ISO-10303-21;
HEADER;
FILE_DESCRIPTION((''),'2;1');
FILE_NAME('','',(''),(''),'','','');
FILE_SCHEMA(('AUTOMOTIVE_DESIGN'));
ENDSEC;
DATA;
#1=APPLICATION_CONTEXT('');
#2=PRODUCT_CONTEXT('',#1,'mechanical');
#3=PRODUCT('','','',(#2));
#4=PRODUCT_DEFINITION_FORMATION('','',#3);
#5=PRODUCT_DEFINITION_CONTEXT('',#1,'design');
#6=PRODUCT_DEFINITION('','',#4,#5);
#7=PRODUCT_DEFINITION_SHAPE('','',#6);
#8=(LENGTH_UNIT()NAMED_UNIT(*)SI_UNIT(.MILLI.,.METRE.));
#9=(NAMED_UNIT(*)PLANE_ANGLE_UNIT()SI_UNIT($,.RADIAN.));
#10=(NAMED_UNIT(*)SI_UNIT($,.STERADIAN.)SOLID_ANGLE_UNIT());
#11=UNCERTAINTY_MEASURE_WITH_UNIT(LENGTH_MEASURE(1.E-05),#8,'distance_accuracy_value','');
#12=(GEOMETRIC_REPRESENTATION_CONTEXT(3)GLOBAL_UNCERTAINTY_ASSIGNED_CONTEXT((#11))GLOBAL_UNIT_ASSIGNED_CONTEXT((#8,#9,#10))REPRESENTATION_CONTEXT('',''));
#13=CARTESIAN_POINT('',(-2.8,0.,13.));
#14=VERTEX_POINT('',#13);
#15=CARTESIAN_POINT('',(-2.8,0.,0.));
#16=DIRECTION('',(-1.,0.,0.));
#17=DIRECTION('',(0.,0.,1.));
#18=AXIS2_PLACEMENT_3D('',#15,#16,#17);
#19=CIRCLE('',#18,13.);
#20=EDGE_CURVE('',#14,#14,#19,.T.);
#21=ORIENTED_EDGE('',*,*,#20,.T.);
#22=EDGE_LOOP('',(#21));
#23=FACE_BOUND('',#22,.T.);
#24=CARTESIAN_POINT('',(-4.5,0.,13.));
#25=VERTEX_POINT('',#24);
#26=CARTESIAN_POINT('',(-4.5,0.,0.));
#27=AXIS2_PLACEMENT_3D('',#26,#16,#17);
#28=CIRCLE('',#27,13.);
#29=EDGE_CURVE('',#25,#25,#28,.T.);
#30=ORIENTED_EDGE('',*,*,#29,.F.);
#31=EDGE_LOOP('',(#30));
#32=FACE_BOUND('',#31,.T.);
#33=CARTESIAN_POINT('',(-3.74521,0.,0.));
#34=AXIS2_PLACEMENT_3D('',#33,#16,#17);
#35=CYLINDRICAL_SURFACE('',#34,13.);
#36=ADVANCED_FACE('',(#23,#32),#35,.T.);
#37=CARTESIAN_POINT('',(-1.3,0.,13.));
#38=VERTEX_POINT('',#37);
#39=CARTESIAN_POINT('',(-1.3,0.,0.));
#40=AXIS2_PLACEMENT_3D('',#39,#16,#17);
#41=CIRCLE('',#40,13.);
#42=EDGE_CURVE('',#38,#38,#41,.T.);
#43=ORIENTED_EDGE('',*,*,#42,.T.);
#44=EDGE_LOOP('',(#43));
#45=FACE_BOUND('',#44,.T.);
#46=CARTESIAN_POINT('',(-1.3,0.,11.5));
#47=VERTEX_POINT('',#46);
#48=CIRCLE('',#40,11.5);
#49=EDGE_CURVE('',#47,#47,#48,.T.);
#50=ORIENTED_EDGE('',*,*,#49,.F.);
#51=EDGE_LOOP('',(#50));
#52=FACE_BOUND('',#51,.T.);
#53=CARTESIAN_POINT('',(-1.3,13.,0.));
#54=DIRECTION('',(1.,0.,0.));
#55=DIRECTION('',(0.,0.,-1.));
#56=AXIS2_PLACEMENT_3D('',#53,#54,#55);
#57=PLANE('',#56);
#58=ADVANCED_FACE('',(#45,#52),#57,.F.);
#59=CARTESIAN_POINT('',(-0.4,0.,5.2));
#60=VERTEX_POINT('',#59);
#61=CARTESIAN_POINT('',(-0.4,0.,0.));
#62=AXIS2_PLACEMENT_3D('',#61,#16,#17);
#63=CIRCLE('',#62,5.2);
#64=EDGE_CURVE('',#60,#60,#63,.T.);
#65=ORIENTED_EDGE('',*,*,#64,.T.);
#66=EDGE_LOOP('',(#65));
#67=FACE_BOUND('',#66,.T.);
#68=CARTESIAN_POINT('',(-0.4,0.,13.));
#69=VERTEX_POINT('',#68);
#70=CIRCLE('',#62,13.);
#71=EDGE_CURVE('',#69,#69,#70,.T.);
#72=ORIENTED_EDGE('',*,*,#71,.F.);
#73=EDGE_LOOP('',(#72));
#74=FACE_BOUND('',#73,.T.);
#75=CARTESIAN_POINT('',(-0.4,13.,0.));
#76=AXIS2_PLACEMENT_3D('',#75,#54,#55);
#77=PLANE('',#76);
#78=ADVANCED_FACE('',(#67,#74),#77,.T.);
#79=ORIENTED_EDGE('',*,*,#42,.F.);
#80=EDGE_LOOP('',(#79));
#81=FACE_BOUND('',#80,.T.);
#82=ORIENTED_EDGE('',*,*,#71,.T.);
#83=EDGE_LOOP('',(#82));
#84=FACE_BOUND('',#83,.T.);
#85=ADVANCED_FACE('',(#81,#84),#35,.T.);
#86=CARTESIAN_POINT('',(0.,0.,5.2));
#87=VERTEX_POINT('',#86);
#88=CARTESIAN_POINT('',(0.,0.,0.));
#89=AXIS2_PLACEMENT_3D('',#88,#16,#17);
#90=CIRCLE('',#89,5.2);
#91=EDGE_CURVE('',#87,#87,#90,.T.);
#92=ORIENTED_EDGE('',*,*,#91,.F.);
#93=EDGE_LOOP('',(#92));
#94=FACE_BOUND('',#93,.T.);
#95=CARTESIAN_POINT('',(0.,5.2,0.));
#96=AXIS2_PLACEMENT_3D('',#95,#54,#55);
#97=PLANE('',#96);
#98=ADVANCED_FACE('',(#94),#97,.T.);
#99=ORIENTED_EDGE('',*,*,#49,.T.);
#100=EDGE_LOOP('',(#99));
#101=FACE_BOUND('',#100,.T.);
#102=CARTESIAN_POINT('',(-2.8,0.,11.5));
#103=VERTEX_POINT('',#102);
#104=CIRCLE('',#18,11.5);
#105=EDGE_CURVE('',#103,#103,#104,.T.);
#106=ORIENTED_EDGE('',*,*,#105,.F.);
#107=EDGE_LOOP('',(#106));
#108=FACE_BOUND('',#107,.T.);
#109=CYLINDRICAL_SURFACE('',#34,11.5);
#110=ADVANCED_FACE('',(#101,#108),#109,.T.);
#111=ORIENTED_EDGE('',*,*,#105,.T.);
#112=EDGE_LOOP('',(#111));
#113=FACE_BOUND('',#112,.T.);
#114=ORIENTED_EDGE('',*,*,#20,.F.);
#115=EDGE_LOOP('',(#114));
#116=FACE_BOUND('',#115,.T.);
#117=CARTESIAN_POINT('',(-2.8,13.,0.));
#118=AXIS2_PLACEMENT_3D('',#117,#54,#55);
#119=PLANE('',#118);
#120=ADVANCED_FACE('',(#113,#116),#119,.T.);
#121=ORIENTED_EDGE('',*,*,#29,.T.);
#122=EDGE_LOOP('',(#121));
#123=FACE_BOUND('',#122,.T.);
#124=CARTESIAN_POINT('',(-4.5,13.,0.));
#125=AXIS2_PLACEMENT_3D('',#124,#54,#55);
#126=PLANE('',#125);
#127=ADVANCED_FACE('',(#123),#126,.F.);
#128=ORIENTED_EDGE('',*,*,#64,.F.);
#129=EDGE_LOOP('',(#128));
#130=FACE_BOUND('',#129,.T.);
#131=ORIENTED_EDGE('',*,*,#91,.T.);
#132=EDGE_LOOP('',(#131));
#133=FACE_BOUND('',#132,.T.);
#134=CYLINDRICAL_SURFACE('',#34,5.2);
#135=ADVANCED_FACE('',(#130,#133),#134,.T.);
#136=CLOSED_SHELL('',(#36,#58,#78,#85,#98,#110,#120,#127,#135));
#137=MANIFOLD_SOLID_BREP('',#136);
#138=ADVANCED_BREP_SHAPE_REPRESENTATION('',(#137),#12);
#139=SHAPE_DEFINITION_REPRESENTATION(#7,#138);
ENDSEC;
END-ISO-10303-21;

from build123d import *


with BuildPart() as part:
    # Esquisse1 → Base-Révolution (revolve)
    with BuildSketch(Plane.XY, mode=Mode.PRIVATE) as base_r_volution_sk:
        Polygon((-0.4, 13), (-1.3, 13), (-1.3, 11.5), (-2.8, 11.5), (-2.8, 13), (-4.5, 13), (-4.5, 0), (0, 0), (0, 5.2), (-0.4, 5.2), align=None)
    revolve(base_r_volution_sk.sketch.rotate(Axis((-3.74521028, 0, 0), (1, 0, 0)), 90), axis=Axis((-3.74521028, 0, 0), (1, 0, 0)))  # turned: the seam where the file's is


solid = part.part
